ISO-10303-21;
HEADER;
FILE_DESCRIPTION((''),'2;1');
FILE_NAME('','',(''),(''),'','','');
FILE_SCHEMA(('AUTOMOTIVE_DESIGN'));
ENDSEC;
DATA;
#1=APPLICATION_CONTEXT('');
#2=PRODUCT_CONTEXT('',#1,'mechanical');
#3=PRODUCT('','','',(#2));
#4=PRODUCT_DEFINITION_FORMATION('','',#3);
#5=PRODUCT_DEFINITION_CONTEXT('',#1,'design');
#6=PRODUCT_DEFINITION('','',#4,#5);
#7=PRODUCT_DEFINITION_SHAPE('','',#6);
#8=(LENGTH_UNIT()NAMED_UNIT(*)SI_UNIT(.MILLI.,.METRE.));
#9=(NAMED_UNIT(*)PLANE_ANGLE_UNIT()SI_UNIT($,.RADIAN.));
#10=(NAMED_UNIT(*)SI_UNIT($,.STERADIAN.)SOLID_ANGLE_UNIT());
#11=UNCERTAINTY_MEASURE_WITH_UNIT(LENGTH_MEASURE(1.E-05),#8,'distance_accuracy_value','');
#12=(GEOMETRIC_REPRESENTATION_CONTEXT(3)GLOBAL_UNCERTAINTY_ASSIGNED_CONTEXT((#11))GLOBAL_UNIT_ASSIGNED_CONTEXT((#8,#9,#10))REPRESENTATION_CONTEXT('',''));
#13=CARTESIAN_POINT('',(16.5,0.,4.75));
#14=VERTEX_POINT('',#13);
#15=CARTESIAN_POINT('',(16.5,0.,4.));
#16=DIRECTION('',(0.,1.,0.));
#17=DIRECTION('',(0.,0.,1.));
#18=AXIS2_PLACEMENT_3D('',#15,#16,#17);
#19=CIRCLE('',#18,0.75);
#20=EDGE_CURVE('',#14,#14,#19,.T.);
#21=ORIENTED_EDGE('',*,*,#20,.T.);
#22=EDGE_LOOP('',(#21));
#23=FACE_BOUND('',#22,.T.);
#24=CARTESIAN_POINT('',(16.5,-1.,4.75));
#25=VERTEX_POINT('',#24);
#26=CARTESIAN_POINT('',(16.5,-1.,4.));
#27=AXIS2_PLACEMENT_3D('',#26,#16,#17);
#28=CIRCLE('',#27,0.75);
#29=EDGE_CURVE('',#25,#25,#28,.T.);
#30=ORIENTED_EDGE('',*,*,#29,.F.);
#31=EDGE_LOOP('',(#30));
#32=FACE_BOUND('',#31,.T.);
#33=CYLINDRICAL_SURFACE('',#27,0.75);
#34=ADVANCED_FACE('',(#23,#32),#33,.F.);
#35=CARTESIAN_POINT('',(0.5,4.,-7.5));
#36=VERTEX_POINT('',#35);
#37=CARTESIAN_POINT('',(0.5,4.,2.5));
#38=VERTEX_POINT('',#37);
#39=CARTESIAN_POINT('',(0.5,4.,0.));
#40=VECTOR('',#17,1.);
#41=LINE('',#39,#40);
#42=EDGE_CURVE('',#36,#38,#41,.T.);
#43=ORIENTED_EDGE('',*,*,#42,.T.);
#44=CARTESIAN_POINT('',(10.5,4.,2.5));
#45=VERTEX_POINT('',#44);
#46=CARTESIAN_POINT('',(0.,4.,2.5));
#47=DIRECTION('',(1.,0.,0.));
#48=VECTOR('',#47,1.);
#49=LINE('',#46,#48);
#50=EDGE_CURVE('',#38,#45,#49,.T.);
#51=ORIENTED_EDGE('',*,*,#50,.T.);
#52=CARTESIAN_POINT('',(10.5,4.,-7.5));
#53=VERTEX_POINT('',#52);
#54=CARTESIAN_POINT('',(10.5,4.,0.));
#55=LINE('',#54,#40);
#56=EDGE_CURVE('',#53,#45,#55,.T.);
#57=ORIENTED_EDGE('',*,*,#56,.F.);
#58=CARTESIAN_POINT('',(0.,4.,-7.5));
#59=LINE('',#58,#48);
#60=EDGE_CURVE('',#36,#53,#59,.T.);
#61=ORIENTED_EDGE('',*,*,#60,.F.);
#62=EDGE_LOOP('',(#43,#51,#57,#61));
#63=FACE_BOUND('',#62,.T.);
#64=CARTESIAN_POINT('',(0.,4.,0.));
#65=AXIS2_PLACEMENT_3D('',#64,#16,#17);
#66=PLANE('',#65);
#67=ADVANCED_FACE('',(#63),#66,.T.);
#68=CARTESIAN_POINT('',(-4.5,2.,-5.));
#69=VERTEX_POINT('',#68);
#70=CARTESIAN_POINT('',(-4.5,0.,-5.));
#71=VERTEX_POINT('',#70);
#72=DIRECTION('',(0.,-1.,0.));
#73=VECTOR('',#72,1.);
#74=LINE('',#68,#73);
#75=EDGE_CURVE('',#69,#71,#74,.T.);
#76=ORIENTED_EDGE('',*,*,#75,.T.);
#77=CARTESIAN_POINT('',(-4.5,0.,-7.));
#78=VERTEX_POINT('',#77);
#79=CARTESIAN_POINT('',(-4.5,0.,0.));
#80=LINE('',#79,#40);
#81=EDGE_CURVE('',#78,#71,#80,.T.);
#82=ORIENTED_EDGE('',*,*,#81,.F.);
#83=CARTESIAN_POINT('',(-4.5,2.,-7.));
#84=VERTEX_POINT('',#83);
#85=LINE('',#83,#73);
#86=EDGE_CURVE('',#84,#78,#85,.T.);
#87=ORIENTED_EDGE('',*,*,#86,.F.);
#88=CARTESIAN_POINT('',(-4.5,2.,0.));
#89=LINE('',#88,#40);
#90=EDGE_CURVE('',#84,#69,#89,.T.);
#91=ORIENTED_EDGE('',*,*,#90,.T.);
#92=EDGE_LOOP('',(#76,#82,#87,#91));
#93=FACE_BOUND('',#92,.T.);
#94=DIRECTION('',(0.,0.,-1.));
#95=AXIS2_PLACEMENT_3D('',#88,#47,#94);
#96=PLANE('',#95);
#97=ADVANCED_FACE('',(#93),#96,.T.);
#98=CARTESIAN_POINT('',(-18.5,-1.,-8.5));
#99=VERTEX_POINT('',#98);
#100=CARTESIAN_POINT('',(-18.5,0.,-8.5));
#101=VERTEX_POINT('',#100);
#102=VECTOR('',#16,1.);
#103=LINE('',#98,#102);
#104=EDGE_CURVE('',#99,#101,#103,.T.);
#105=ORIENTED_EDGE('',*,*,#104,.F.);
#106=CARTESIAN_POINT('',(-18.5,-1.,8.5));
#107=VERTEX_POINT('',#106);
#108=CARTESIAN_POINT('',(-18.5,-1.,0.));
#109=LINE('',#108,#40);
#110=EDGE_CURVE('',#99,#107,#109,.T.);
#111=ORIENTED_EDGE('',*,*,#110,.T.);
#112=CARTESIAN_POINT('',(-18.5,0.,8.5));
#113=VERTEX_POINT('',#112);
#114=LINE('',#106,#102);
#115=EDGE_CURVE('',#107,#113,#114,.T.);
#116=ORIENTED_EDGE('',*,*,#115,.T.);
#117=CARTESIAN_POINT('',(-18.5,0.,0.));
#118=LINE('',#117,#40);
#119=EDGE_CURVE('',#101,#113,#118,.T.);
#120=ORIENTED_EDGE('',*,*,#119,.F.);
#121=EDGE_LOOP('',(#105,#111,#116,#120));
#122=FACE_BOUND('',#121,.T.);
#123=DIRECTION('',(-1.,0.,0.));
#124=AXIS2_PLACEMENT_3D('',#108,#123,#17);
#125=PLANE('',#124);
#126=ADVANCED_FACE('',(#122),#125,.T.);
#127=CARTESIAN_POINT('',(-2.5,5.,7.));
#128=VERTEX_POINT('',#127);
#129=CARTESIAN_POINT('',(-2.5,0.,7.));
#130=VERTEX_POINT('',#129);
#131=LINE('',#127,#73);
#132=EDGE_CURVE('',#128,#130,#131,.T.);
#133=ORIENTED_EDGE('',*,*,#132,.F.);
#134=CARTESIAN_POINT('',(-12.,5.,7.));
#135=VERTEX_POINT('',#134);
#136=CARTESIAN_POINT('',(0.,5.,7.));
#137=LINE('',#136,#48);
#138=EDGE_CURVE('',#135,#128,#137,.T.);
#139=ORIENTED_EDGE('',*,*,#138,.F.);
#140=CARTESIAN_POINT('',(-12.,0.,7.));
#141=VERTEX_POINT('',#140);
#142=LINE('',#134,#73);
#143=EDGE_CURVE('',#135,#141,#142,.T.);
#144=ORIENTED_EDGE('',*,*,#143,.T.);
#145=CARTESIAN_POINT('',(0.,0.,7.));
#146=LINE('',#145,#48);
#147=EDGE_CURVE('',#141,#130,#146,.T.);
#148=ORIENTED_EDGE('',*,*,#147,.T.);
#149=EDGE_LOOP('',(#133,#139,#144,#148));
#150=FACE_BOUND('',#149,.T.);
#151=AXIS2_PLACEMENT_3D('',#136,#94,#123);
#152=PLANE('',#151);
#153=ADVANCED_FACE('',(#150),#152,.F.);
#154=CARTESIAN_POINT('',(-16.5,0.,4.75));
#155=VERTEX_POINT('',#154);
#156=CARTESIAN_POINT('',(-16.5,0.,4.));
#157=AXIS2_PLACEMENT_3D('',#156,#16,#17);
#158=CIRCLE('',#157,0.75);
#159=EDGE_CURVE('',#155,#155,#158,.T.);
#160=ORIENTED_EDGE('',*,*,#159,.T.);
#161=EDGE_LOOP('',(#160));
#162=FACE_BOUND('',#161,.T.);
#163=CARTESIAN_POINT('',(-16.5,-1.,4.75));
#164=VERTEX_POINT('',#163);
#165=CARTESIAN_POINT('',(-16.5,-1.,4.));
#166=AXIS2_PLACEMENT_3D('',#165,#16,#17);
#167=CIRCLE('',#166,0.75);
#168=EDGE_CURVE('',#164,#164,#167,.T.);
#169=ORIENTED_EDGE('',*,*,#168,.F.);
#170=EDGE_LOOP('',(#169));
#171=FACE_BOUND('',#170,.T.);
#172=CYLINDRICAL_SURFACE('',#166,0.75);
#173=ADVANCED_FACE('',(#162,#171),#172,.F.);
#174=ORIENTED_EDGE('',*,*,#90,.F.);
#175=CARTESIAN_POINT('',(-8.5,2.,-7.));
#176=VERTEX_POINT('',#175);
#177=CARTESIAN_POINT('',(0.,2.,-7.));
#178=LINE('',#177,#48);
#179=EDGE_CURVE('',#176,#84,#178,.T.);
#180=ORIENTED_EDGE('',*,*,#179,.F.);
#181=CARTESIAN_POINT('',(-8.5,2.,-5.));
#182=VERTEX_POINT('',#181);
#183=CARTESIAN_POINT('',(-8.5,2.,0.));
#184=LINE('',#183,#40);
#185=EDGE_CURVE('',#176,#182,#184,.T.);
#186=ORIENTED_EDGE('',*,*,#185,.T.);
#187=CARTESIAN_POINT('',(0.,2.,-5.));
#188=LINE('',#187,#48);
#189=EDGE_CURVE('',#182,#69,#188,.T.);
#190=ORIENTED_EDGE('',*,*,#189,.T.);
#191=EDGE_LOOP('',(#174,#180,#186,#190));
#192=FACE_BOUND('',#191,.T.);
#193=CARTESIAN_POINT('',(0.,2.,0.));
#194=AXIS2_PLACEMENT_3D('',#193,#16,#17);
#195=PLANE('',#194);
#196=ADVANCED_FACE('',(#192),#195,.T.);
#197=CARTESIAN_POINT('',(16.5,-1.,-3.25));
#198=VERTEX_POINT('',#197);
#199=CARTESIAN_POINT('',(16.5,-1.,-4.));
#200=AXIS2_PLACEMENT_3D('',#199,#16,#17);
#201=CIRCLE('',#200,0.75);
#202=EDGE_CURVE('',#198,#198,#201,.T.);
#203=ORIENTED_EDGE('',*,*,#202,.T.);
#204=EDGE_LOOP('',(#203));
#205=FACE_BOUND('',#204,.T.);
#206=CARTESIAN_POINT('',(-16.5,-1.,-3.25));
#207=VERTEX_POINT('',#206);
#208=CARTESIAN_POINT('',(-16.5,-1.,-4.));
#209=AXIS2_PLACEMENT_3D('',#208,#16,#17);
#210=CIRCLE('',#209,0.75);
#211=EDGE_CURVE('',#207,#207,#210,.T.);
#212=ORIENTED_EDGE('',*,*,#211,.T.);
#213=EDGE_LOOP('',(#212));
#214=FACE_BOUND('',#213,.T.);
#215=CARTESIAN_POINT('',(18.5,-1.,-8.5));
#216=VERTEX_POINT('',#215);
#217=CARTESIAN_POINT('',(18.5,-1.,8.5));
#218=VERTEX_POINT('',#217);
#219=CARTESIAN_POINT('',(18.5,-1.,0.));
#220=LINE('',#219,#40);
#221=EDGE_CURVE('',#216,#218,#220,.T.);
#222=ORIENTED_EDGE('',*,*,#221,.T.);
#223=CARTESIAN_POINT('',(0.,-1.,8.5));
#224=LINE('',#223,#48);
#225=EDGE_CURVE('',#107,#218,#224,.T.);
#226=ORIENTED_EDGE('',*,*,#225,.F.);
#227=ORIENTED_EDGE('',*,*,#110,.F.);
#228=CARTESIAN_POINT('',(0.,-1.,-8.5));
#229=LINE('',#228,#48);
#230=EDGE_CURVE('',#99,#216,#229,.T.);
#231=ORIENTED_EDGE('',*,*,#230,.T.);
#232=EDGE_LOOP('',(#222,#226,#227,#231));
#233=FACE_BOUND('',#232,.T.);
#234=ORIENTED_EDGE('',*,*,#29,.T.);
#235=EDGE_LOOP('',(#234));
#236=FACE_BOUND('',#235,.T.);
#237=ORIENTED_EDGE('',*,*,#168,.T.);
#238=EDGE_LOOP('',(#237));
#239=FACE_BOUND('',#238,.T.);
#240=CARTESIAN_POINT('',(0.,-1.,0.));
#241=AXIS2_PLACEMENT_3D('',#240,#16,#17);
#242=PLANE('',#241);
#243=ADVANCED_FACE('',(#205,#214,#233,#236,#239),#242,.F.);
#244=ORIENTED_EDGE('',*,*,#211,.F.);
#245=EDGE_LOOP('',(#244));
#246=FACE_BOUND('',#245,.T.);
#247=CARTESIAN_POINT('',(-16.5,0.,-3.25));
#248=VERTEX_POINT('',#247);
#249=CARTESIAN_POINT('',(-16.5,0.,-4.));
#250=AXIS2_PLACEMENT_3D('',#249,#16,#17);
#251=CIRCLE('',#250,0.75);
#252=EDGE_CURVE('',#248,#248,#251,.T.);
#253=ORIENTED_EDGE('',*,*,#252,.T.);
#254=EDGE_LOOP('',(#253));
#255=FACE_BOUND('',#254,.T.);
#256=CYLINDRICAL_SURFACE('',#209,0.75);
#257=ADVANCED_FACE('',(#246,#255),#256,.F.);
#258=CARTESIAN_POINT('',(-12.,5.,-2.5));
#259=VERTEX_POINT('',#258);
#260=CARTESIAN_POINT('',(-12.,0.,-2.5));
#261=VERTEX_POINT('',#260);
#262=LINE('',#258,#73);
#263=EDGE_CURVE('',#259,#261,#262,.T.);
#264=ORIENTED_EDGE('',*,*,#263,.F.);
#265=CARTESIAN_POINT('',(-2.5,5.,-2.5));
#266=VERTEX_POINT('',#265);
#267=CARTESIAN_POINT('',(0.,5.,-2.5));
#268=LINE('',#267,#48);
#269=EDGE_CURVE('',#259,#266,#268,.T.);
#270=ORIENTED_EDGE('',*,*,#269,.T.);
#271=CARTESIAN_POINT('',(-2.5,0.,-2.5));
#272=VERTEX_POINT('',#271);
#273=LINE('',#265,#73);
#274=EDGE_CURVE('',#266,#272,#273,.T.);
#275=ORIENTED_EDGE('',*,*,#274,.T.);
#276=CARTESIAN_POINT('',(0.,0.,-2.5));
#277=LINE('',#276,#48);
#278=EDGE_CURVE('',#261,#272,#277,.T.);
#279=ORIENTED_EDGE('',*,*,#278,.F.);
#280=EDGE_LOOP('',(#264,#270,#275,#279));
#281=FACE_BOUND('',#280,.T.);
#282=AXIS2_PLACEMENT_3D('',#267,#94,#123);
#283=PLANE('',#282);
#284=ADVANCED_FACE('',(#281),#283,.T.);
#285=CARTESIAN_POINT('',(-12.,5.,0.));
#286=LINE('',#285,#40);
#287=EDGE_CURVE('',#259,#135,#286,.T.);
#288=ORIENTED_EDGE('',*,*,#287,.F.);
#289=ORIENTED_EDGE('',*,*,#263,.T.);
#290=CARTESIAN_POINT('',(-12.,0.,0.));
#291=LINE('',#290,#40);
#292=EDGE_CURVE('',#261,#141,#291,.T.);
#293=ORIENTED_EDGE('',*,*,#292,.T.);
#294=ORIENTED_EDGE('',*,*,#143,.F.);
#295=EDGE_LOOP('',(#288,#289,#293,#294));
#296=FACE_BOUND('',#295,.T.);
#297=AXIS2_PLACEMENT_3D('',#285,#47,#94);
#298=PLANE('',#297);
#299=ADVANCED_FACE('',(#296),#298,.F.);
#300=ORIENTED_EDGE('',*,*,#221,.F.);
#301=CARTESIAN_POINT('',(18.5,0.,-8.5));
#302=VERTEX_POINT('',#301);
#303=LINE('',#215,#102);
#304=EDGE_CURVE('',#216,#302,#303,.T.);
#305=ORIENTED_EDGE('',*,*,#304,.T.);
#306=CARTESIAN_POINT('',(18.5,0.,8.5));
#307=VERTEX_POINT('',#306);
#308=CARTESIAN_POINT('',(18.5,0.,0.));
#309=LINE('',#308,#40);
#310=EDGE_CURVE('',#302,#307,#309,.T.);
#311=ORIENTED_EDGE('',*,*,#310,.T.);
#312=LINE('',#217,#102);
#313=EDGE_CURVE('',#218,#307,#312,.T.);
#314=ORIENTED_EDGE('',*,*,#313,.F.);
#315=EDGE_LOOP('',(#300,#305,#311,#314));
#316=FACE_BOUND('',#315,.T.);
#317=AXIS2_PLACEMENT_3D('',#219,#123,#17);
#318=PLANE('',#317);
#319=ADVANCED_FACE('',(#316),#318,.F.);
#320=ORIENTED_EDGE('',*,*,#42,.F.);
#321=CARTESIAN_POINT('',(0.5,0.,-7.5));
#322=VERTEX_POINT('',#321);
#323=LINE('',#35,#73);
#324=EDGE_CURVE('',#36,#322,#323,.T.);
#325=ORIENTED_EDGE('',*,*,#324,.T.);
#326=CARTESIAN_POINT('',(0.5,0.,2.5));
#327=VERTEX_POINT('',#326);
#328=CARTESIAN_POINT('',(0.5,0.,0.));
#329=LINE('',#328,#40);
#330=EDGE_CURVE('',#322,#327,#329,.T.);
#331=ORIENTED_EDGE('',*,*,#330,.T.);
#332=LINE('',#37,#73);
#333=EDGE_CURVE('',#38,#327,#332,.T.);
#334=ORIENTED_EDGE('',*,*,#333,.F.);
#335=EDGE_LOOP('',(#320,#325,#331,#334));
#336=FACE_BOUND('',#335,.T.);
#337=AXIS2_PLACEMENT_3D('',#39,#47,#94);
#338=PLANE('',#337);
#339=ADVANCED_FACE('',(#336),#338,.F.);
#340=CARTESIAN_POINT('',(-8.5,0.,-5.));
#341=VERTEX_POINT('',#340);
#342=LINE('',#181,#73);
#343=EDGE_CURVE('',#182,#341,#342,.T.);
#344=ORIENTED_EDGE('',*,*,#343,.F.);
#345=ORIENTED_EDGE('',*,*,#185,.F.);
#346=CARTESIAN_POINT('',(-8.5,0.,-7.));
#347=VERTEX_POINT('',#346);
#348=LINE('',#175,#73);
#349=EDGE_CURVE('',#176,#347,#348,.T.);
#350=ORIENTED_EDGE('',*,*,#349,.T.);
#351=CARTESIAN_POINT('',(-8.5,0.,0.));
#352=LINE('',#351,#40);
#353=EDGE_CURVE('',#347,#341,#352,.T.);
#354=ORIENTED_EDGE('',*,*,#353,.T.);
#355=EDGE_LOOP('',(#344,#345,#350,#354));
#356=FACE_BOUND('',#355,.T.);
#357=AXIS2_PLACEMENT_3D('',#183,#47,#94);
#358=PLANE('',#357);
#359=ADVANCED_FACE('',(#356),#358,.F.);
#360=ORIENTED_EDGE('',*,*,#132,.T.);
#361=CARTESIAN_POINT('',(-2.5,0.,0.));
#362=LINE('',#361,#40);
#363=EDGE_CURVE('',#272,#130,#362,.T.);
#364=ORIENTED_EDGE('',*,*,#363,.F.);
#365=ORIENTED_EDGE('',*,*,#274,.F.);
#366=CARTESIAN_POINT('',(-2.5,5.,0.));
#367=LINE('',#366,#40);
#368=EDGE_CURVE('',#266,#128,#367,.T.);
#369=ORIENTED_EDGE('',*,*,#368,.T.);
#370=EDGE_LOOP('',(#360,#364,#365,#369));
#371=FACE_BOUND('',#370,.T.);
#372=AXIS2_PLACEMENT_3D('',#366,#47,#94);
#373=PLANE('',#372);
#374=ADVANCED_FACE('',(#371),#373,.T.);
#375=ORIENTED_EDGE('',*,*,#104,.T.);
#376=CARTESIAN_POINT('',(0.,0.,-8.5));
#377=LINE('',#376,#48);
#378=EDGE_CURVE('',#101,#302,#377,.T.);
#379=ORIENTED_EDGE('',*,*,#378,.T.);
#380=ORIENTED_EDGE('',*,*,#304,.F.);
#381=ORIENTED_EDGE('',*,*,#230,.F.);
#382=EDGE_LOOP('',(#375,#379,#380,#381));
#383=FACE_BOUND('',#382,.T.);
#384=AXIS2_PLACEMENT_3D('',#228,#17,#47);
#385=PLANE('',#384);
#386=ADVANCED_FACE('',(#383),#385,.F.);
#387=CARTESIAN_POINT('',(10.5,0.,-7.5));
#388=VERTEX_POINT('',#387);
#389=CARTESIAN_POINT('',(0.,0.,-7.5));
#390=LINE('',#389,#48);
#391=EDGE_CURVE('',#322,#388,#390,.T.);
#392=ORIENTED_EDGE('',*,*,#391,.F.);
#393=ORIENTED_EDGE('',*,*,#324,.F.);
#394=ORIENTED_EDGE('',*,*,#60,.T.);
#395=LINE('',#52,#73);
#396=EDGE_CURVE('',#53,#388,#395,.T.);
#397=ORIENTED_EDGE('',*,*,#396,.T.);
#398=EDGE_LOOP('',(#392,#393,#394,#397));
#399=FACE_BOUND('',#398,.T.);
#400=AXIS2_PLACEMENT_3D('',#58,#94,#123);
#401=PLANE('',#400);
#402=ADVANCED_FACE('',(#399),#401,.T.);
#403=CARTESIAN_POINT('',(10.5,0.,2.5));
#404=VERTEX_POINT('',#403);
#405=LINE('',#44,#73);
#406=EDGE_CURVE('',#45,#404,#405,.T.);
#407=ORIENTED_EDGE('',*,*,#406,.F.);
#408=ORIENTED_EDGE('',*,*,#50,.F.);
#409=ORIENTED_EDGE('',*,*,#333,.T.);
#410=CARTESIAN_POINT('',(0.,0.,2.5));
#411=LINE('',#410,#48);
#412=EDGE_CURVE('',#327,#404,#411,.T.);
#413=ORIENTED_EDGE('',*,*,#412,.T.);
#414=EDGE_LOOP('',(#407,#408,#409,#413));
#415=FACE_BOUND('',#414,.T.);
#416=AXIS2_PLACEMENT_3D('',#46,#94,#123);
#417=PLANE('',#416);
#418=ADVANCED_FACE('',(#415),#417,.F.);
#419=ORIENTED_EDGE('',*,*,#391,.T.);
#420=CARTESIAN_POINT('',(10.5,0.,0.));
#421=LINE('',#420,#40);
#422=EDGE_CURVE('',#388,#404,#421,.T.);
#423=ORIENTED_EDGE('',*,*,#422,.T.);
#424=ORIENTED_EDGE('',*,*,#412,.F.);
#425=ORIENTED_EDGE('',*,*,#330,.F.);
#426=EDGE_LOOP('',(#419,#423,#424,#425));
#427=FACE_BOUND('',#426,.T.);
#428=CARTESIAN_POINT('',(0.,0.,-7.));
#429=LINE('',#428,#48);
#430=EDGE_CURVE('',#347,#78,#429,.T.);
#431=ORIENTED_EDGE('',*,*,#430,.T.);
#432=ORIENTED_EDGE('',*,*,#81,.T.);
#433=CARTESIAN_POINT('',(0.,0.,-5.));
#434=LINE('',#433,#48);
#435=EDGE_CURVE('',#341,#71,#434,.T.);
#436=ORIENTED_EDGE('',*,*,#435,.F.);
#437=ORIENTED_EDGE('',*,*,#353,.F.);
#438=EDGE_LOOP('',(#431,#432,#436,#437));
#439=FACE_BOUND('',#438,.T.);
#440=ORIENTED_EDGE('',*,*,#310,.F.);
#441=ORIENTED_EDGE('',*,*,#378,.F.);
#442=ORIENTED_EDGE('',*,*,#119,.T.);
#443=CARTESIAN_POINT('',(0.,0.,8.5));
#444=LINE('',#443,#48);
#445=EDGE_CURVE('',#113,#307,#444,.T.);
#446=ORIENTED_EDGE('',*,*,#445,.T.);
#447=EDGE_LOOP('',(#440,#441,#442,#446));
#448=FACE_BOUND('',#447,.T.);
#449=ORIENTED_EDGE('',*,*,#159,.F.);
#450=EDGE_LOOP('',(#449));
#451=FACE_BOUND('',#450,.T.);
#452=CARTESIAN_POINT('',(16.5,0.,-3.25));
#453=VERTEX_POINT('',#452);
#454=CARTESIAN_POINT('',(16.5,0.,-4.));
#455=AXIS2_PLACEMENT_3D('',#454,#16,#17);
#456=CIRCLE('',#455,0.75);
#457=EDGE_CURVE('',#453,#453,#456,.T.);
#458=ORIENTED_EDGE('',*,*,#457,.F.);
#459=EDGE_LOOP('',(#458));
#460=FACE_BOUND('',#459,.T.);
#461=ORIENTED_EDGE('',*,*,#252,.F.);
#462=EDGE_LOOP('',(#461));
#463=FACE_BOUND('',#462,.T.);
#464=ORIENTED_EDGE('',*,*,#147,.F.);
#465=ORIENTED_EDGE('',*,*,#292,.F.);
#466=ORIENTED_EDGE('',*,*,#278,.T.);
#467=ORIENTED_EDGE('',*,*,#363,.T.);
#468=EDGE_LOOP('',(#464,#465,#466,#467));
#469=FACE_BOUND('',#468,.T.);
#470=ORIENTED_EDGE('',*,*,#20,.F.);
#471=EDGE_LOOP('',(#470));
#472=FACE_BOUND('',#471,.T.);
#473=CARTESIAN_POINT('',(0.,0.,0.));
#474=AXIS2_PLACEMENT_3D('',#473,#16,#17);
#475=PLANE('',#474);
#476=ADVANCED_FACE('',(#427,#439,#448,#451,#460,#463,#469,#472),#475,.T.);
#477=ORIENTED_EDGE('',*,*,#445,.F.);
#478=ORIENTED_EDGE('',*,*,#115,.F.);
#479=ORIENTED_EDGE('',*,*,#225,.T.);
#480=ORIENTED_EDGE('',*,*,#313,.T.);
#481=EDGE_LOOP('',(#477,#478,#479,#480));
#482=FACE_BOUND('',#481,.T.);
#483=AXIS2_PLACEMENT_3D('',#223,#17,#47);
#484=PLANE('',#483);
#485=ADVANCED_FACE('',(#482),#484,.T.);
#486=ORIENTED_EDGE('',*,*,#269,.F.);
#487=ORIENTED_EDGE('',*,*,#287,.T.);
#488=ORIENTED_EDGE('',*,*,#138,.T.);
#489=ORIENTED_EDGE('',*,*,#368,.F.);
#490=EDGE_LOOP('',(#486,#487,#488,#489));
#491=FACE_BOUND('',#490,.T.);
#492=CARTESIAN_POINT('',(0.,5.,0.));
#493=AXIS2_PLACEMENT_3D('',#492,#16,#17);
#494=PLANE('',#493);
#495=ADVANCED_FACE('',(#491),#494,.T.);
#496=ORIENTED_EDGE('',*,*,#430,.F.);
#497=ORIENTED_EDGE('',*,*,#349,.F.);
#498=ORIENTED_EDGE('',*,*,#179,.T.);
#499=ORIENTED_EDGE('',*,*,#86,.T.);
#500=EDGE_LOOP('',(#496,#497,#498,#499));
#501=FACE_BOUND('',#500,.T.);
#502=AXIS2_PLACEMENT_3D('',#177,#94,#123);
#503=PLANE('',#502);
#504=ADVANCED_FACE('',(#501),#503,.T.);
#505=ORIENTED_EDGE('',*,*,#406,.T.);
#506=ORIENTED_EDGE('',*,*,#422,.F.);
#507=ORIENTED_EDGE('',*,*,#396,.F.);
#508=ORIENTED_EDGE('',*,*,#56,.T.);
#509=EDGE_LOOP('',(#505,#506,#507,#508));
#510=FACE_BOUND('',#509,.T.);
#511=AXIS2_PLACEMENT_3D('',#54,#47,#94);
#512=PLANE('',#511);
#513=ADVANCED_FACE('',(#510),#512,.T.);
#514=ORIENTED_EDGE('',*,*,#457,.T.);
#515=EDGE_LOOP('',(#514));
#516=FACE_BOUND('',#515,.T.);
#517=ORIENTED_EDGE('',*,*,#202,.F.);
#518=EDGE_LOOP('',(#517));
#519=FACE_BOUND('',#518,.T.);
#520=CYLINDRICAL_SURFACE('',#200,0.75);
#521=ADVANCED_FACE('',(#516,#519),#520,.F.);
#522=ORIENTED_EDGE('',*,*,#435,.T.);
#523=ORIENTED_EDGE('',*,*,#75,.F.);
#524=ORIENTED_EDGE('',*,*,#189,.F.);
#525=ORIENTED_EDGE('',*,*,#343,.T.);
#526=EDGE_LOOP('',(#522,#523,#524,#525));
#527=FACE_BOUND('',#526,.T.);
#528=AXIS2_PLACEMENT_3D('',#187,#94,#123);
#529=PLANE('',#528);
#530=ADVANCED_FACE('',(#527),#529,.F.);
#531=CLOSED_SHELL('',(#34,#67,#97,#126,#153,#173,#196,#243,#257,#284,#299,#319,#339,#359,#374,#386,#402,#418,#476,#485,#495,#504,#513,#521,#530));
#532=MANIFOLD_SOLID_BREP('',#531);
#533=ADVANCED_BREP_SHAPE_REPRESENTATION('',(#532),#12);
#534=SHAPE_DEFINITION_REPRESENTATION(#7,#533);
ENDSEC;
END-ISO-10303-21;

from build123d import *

# Parameters (mm, degrees)
SKETCH_1_W      = 37
SKETCH_1_H      = 17
SKETCH_1_R      = 0.75
EXTRUDE_1_DEPTH = 1
SKETCH_1_3_W    = 10
SKETCH_1_3_H    = 10
EXTRUDE_2_DEPTH = 4
SKETCH_1_4_W    = 9.5
SKETCH_1_4_H    = 9.5
EXTRUDE_3_DEPTH = 5
SKETCH_1_5_W    = 4
SKETCH_1_5_H    = 2
EXTRUDE_4_DEPTH = 2


with BuildPart() as part:
    # Эскиз1 → Бобышка-Вытянуть1 (new body)
    with BuildSketch(Plane(origin=(0, 0, 0), x_dir=(1, 0, 0), z_dir=(0, 1, 0))):
        Rectangle(SKETCH_1_W, SKETCH_1_H)
        with Locations((-16.5, -4)):
            Circle(SKETCH_1_R, mode=Mode.SUBTRACT)
        with Locations((16.5, -4)):
            Circle(SKETCH_1_R, mode=Mode.SUBTRACT)
        with Locations((-16.5, 4)):
            Circle(SKETCH_1_R, mode=Mode.SUBTRACT)
        with Locations((16.5, 4)):
            Circle(SKETCH_1_R, mode=Mode.SUBTRACT)
    extrude(amount=-EXTRUDE_1_DEPTH)

    # Эскиз1<3> → Бобышка-Вытянуть2 (add)
    with BuildSketch(Plane(origin=(0, 0, 0), x_dir=(1, 0, 0), z_dir=(0, 1, 0))):
        with Locations((5.5, 2.5)):
            Rectangle(SKETCH_1_3_W, SKETCH_1_3_H)
    extrude(amount=EXTRUDE_2_DEPTH)

    # Эскиз1<4> → Бобышка-Вытянуть3 (add)
    with BuildSketch(Plane(origin=(0, 0, 0), x_dir=(1, 0, 0), z_dir=(0, 1, 0))):
        with Locations((-7.25, -2.25)):
            Rectangle(SKETCH_1_4_W, SKETCH_1_4_H)
    extrude(amount=EXTRUDE_3_DEPTH)

    # Эскиз1<5> → Бобышка-Вытянуть4 (add)
    with BuildSketch(Plane(origin=(0, 0, 0), x_dir=(1, 0, 0), z_dir=(0, 1, 0))):
        with Locations((-6.5, 6)):
            Rectangle(SKETCH_1_5_W, SKETCH_1_5_H)
    extrude(amount=EXTRUDE_4_DEPTH)


solid = part.part
